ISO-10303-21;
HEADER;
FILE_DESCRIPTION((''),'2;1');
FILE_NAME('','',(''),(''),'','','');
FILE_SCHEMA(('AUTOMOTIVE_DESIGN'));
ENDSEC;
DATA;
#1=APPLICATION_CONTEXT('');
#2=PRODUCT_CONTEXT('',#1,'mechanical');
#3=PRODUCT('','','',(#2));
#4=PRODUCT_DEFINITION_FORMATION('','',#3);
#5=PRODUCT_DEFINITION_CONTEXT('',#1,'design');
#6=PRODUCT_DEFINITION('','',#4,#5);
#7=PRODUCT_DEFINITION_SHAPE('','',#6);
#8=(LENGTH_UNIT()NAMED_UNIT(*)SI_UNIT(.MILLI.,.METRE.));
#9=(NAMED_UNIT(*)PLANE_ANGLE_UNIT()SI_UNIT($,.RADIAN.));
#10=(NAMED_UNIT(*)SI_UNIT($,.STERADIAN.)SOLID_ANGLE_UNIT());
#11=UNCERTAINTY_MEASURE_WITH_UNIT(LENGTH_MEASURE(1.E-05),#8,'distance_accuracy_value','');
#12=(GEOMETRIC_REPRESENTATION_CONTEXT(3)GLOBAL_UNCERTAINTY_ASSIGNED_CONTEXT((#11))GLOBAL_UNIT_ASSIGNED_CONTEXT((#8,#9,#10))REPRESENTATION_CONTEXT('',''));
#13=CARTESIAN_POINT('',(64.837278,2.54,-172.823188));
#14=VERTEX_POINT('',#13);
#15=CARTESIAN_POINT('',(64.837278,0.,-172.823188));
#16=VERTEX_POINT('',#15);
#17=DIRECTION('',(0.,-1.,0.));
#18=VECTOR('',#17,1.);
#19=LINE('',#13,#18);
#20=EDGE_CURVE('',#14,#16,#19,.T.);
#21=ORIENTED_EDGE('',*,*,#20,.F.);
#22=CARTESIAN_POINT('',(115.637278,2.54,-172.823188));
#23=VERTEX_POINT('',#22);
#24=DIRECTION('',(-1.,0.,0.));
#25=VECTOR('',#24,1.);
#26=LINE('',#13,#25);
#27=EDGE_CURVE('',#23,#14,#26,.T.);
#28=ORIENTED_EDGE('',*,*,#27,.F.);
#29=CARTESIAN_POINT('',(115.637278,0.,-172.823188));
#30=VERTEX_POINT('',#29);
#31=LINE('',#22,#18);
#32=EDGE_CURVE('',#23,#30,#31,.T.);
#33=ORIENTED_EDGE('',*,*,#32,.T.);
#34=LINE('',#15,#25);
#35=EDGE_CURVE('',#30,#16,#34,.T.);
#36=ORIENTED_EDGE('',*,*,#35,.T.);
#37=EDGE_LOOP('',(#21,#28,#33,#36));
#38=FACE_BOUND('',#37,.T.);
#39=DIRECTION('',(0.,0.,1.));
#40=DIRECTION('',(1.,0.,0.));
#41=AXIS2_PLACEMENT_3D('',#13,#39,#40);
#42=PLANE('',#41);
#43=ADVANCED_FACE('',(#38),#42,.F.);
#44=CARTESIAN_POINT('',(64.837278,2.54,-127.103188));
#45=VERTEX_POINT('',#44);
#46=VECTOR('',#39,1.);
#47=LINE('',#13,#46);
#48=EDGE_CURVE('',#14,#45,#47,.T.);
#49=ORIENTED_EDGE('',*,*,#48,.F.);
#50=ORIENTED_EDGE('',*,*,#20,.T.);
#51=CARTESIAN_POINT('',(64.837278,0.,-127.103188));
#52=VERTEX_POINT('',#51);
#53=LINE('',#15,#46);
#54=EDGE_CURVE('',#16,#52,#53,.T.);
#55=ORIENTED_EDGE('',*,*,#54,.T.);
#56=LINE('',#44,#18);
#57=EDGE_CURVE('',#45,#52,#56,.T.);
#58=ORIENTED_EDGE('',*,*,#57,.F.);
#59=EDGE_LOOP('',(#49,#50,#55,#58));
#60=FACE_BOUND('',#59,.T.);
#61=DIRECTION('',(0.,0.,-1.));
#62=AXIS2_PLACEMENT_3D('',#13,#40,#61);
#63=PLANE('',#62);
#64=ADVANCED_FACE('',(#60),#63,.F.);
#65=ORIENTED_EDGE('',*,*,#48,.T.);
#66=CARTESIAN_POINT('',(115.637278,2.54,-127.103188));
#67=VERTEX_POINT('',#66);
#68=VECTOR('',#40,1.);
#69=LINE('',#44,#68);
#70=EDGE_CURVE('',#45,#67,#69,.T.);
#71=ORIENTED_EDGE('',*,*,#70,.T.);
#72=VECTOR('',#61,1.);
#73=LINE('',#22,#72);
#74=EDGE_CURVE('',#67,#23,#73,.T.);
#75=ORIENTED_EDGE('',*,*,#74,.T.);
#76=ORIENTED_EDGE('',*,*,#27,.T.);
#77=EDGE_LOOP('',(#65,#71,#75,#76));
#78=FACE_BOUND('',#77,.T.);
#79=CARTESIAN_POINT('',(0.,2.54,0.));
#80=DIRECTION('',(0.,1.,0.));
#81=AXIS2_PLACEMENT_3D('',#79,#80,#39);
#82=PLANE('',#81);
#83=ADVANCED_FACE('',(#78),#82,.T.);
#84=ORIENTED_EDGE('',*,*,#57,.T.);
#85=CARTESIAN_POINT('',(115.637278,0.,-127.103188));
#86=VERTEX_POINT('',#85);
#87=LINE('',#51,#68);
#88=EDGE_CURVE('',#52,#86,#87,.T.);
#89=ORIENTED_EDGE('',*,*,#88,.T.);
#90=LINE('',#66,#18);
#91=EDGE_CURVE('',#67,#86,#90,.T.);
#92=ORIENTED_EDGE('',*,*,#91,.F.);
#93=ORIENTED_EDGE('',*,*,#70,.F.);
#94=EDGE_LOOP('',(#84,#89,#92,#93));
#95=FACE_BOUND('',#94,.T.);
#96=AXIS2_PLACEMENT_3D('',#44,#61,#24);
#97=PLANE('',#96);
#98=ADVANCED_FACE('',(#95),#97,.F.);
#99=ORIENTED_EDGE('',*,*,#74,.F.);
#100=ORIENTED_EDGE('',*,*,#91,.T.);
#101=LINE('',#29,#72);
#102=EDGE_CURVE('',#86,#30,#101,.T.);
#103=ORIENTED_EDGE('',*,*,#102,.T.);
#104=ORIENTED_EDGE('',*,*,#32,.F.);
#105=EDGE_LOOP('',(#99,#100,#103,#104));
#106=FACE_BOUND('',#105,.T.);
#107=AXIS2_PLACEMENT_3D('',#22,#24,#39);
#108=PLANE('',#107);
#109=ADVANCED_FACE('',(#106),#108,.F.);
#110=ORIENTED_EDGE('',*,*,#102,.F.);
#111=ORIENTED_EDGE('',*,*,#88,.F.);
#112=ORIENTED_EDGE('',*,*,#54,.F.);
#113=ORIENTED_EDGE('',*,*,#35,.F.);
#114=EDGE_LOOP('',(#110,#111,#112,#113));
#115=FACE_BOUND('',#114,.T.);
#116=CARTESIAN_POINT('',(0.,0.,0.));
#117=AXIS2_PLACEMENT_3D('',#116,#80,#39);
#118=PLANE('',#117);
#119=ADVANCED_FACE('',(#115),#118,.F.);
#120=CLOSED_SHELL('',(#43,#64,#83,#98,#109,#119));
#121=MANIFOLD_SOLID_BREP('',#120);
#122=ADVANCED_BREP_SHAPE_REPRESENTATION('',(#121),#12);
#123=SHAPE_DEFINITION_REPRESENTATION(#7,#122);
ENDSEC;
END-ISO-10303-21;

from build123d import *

# Parameters (mm, degrees)
SKETCH1_W           = 50.8
SKETCH1_H           = 45.72
BOSS_EXTRUDE2_DEPTH = 2.54


with BuildPart() as part:
    # Sketch1 → Boss-Extrude2 (new body)
    with BuildSketch(Plane(origin=(0, 0, 0), x_dir=(1, 0, 0), z_dir=(0, 1, 0))):
        with Locations((90.237277765, 149.963188414)):
            Rectangle(SKETCH1_W, SKETCH1_H)
    extrude(amount=BOSS_EXTRUDE2_DEPTH)


solid = part.part
